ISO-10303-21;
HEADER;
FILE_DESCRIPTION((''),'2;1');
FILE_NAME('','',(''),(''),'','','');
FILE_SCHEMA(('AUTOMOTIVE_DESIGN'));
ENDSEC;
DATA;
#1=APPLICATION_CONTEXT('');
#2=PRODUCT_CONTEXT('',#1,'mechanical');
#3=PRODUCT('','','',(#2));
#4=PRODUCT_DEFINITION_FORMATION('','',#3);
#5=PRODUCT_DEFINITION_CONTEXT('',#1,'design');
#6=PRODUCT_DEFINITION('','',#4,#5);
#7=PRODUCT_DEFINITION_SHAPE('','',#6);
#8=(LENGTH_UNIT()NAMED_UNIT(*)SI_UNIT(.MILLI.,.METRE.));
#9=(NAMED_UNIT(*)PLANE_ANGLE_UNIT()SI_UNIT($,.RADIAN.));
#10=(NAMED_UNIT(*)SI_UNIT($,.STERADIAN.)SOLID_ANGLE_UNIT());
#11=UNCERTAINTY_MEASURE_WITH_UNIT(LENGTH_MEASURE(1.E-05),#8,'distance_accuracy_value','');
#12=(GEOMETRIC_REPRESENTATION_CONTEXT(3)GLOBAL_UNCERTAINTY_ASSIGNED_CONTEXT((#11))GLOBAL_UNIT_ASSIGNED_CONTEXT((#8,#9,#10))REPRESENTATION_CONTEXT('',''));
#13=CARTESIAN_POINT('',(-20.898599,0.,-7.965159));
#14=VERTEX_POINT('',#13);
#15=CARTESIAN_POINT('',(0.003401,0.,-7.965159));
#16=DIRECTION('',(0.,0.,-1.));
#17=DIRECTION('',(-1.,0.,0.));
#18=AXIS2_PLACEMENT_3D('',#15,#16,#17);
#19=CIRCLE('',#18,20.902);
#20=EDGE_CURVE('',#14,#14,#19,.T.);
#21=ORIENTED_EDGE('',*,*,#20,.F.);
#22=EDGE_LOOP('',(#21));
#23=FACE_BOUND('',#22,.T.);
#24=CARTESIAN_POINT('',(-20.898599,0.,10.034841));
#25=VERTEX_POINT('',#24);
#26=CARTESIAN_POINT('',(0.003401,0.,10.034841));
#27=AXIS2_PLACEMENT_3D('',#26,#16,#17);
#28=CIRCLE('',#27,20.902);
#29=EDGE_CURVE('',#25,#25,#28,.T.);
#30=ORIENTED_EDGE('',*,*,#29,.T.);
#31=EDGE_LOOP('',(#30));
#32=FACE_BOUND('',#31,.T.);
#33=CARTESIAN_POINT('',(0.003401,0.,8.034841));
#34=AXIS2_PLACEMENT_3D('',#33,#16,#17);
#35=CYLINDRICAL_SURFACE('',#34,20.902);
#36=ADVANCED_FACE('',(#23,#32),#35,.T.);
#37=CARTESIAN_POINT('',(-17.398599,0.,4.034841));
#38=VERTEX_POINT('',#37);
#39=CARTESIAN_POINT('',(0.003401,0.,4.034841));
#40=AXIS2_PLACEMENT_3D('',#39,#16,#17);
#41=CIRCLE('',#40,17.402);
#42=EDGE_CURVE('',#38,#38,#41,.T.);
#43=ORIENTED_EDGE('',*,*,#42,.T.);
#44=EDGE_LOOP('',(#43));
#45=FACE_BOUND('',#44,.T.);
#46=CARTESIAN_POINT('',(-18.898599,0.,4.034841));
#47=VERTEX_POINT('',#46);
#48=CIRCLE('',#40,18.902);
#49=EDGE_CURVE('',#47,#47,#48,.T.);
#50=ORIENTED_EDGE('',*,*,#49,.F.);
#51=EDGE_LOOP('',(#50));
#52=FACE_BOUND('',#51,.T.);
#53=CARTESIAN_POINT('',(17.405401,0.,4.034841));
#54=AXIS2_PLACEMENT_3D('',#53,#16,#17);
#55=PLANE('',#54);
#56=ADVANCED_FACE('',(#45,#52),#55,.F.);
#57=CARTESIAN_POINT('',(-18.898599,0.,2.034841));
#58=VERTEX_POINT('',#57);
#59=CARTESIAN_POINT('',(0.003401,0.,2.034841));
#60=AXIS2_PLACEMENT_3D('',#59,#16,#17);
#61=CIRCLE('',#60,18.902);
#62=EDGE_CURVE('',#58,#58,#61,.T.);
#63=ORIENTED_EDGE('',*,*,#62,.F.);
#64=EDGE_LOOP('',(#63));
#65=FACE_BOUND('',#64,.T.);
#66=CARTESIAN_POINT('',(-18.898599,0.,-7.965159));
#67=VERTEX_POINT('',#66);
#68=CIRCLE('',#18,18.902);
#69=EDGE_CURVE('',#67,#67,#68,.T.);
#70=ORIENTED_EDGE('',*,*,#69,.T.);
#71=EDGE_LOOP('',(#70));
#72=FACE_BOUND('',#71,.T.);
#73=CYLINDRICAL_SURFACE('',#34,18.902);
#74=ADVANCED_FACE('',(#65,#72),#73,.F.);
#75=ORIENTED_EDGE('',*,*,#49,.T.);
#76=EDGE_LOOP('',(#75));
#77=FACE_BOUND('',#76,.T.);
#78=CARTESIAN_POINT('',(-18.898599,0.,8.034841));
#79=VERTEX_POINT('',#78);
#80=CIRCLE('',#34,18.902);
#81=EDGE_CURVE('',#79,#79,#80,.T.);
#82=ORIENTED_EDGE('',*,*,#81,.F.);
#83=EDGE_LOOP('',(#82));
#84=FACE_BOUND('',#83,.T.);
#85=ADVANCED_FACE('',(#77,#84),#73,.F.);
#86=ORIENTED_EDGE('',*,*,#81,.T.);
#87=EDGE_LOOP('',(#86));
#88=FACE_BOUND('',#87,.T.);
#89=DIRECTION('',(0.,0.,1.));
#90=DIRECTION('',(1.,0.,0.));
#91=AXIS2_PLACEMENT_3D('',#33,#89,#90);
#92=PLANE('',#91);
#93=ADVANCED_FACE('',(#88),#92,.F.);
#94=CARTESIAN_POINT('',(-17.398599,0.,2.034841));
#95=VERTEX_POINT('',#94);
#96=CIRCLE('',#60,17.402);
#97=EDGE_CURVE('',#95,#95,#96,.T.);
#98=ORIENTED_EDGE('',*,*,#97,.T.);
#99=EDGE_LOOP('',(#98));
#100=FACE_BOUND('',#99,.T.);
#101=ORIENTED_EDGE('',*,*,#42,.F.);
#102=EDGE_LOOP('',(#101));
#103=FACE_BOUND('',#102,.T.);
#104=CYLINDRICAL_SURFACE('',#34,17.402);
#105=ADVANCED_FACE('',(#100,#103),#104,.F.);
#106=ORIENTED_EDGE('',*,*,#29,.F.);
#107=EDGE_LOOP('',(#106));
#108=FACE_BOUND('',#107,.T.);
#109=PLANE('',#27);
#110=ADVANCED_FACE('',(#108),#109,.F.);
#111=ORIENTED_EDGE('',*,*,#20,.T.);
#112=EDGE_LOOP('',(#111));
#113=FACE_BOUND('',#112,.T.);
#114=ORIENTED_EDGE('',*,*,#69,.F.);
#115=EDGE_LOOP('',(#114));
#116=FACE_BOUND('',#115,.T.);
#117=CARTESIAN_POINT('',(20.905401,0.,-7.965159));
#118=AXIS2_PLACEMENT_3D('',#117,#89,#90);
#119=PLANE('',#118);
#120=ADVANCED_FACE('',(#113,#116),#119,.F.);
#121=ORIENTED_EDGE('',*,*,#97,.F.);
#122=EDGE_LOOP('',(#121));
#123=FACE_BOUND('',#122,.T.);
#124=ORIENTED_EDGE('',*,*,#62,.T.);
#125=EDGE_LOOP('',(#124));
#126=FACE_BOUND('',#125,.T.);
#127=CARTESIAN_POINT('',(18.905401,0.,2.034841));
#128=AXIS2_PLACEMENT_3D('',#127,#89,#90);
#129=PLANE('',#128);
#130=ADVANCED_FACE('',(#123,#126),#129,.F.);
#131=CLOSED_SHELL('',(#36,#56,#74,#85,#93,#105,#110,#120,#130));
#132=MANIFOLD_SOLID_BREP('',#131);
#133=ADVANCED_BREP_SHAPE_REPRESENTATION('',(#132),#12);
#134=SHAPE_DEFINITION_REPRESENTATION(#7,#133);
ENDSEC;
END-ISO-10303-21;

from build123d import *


with BuildPart() as part:
    # Skizze1 → Rotation2 (revolve)
    with BuildSketch(Plane(origin=(0, 0, 0), x_dir=(1, 0, 0), z_dir=(0, 1, 0)), mode=Mode.PRIVATE) as rotation2_sk:
        Polygon((0.00340061, -8.034840547), (0.00340061, -10.034840547), (20.90540061, -10.034840547), (20.90540061, 7.965159453), (18.90540061, 7.965159453), (18.90540061, -2.034840547), (17.40540061, -2.034840547), (17.40540061, -4.034840547), (18.90540061, -4.034840547), (18.90540061, -8.034840547), align=None)
    revolve(rotation2_sk.sketch.rotate(Axis((0.00340061, 0, 8.034840547), (0, 0, 1)), 180), axis=Axis((0.00340061, 0, 8.034840547), (0, 0, 1)))


solid = part.part
